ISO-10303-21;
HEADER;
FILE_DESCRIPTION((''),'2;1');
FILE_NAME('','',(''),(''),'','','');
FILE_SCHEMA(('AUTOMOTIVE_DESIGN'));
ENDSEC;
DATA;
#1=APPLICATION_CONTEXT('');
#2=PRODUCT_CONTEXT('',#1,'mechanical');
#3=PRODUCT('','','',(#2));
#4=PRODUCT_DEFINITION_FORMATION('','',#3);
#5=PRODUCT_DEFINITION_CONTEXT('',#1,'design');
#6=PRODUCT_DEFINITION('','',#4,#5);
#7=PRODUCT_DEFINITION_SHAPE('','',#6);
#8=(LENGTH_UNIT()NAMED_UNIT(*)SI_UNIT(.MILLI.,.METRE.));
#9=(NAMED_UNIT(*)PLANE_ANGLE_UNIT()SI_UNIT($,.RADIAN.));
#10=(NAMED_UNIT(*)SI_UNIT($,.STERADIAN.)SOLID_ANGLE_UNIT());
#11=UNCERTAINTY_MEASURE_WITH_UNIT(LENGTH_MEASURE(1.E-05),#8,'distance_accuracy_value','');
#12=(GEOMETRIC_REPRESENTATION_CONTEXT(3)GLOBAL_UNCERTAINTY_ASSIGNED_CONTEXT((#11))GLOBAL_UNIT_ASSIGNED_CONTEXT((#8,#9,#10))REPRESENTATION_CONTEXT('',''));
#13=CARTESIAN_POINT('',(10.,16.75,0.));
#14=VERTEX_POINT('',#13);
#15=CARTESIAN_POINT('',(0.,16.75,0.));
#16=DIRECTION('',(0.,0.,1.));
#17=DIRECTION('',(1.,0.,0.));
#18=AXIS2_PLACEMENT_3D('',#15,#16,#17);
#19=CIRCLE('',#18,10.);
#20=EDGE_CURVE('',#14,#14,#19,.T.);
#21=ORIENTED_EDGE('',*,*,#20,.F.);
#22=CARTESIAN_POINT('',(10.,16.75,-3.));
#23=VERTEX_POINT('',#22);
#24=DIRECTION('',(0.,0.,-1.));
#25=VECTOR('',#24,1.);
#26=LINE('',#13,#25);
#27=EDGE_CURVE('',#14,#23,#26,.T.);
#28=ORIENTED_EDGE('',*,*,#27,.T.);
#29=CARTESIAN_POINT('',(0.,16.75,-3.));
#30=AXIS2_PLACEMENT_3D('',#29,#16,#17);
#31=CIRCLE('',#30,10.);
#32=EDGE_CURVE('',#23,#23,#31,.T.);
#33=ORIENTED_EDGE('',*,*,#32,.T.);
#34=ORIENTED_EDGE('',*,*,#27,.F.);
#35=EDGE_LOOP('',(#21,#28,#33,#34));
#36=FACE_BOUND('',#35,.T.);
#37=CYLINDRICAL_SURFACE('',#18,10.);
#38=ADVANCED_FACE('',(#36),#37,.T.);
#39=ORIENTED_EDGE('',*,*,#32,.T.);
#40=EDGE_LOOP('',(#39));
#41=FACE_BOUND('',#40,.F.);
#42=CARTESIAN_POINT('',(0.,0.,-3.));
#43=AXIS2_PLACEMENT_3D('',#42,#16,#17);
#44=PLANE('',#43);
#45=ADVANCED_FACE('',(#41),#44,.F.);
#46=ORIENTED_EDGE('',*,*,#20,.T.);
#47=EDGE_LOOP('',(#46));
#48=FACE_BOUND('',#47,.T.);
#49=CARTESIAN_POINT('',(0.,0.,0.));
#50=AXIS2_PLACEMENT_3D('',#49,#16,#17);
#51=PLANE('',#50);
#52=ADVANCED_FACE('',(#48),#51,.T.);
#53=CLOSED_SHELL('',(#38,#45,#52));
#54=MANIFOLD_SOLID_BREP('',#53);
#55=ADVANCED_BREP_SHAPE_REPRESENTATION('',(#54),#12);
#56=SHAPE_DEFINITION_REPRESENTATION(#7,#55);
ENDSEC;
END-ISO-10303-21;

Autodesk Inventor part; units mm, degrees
ref_plane "YZ Plane" through (0, 0, 0) normal (1, 0, 0) x (0, 1, 0)
ref_plane "XZ Plane" through (0, 0, 0) normal (0, 1, 0) x (-1, 0, 0)
ref_plane "XY Plane" through (0, 0, 0) normal (0, 0, 1) x (1, 0, 0)
sketch "Sketch1" plane through (0, 0, 0) normal (0, 0, 1) x (1, 0, 0)
  circle A0 centre (0, 16.75) radius 10
  point P0 (0, 0)
  dimension "d0" = 20
extrude "Extrusion1" add sketch "Sketch1" against normal blind 3
